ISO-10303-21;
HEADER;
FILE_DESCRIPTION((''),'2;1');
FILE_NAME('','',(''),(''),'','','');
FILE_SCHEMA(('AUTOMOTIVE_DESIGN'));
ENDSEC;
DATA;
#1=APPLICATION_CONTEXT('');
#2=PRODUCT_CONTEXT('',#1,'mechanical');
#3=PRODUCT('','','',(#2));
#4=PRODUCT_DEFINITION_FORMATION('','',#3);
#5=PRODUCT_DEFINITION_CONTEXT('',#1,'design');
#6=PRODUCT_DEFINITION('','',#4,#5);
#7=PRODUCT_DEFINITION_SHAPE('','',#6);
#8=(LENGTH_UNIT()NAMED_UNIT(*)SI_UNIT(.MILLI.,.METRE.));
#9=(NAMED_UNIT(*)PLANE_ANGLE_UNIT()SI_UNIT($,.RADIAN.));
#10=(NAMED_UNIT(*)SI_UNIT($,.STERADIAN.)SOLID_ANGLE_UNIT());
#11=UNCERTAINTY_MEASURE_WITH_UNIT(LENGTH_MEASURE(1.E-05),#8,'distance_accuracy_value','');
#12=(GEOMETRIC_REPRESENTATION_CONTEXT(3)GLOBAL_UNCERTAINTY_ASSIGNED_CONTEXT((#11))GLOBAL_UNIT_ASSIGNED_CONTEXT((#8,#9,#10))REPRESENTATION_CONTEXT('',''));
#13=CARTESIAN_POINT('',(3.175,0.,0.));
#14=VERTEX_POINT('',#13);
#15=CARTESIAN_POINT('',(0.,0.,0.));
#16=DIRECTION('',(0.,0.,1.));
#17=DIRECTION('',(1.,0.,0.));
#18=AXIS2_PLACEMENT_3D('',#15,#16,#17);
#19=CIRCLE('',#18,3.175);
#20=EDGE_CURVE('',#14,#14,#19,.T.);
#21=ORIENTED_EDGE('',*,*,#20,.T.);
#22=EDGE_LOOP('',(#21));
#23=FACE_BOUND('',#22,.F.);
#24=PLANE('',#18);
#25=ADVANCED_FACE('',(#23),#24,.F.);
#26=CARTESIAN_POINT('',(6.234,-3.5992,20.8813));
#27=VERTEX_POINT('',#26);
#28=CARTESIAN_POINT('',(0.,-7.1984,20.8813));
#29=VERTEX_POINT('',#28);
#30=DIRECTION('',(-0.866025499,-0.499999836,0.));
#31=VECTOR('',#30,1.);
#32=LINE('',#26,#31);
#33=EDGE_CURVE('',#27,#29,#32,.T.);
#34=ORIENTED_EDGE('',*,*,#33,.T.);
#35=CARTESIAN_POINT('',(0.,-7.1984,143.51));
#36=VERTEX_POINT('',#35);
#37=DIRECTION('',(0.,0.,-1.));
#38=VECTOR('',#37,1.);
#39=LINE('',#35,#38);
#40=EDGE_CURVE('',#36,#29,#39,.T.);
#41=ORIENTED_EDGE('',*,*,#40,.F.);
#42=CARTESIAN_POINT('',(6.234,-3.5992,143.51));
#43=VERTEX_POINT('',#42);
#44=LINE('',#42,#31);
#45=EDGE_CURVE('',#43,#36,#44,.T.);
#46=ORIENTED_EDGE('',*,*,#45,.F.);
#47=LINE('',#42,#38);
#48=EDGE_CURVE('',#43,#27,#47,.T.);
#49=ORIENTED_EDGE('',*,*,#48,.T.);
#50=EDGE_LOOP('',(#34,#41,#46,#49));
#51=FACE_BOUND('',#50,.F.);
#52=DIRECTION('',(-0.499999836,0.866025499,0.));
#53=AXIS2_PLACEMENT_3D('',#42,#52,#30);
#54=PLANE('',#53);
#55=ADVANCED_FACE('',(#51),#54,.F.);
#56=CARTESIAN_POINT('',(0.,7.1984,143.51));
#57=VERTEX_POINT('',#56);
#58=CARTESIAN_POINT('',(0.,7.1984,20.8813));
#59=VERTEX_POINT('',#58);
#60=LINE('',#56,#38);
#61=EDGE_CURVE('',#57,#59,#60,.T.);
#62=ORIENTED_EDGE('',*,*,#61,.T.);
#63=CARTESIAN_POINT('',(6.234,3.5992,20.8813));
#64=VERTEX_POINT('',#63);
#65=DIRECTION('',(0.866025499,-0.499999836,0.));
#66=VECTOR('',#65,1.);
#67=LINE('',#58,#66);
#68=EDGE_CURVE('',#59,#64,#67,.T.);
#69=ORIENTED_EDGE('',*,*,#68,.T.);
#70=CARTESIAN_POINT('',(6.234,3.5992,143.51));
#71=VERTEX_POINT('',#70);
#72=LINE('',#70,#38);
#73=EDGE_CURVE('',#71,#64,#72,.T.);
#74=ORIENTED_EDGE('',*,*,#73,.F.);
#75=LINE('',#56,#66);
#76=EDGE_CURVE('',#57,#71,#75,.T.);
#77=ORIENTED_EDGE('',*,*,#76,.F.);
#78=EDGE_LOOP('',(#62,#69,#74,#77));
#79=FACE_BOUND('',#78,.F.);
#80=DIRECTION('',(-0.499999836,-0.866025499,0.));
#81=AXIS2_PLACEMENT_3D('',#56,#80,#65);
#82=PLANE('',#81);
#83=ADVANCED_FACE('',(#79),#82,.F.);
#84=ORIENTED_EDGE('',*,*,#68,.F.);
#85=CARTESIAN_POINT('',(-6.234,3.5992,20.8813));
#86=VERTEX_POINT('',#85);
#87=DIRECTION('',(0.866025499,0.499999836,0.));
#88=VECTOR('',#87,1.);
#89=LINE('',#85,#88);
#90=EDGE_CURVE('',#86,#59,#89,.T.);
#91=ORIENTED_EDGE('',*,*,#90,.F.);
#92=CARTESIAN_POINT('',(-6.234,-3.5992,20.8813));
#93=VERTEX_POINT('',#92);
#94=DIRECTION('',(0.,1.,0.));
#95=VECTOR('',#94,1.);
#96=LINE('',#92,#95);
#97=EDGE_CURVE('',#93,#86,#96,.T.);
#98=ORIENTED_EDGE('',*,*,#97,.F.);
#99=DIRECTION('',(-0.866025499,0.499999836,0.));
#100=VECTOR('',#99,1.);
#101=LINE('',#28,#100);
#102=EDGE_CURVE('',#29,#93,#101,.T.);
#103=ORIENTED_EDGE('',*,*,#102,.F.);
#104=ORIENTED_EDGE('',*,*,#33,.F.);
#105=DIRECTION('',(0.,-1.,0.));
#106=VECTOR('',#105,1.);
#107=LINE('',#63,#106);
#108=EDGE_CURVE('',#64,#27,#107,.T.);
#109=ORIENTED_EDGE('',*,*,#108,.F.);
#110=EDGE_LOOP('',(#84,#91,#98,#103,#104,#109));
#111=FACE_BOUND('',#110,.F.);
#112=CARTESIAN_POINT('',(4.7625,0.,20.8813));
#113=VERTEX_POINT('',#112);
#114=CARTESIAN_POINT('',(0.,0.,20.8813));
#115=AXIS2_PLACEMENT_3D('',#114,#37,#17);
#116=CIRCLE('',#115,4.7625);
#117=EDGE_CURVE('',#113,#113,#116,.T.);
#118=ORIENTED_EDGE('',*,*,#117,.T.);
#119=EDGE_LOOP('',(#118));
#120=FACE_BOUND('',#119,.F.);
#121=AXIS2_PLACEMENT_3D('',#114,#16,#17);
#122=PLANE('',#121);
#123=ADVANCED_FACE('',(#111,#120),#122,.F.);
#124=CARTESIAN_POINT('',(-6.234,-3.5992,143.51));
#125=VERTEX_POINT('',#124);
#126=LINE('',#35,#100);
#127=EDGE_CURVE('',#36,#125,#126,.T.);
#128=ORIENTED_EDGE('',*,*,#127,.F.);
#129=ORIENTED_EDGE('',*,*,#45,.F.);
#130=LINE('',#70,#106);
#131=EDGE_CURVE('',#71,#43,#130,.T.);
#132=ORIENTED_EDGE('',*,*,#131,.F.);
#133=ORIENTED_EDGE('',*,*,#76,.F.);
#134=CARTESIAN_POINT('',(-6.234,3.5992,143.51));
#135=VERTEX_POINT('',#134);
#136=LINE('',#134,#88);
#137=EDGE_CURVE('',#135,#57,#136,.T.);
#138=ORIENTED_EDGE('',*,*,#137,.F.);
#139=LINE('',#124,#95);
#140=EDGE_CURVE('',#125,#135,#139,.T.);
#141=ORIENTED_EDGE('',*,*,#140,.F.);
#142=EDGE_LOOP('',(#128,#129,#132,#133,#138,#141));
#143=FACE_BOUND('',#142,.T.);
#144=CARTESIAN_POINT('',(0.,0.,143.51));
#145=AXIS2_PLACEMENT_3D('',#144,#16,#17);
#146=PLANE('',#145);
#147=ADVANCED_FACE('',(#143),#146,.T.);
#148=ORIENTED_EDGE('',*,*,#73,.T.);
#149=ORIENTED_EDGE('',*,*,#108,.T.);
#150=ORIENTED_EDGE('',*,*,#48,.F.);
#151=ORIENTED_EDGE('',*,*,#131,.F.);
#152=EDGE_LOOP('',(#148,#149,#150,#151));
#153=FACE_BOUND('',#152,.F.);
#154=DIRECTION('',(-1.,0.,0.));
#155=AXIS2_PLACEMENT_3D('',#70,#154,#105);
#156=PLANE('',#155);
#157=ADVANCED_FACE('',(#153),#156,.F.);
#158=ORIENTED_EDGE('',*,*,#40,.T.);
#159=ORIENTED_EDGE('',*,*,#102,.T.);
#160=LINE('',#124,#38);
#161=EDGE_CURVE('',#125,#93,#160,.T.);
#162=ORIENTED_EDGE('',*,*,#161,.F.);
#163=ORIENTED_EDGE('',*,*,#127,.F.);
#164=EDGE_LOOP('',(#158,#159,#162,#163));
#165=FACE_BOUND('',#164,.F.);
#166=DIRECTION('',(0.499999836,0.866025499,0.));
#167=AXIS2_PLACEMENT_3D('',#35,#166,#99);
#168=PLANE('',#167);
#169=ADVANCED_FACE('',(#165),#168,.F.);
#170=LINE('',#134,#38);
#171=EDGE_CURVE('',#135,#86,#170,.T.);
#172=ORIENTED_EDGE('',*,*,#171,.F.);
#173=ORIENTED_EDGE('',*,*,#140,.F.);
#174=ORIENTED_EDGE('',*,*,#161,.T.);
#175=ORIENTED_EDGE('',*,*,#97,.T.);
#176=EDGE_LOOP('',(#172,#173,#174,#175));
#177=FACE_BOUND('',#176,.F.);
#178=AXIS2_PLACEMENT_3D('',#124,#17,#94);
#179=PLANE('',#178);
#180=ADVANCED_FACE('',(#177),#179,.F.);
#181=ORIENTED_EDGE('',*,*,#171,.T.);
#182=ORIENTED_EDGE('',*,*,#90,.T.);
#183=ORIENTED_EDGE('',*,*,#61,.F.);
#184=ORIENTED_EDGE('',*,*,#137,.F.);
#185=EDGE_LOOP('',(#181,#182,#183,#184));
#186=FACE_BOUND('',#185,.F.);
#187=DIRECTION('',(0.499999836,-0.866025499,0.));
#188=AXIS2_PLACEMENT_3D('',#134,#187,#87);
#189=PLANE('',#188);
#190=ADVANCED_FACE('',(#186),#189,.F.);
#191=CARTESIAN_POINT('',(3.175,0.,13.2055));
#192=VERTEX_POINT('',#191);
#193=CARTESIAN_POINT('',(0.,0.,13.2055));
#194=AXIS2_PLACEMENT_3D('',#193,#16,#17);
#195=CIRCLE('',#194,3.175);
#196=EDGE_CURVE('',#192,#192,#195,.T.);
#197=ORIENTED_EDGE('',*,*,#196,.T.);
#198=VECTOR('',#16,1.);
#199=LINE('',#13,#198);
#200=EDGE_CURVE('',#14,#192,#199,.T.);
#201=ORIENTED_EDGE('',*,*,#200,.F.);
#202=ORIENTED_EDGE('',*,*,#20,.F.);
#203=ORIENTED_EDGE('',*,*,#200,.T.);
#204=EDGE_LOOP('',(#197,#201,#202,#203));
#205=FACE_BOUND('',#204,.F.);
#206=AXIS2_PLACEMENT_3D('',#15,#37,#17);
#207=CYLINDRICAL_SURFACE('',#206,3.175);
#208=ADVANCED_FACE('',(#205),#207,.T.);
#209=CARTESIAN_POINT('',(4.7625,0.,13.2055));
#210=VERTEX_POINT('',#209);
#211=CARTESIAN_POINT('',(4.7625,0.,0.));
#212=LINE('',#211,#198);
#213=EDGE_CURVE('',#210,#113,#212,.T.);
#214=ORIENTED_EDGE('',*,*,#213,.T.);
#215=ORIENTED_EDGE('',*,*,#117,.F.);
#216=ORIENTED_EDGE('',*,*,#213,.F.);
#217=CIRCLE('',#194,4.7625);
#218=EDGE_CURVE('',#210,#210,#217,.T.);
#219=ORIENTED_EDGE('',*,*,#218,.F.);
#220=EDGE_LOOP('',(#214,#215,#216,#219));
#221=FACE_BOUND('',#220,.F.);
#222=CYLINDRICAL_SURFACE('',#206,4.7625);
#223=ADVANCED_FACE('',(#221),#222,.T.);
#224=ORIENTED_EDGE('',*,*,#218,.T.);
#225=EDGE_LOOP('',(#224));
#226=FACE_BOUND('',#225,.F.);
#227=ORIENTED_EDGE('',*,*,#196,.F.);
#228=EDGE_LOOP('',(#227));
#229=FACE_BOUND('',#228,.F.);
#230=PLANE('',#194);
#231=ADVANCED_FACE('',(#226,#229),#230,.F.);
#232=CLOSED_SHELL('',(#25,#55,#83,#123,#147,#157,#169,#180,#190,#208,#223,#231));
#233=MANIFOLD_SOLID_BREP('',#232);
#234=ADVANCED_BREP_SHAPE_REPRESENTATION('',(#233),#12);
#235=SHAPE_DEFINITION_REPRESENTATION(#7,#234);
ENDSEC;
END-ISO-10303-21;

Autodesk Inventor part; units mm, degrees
ref_plane "YZ Plane" through (0, 0, 0) normal (1, 0, 0) x (0, 1, 0)
ref_plane "XZ Plane" through (0, 0, 0) normal (0, 1, 0) x (-1, 0, 0)
ref_plane "XY Plane" through (0, 0, 0) normal (0, 0, 1) x (1, 0, 0)
sketch "Sketch3" plane through (0, 0, 0) normal (0, 0, 1) x (1, 0, 0)
  circle A0 centre (0, 0) radius 4.7625
  circle A1 centre (0, 0) radius 3.175
  dimension "d4" = 9.525
  dimension "d5" = 6.35
extrude "Extrusion2" add sketch "Sketch3" along normal blind 143.51 contours A0 | A1
extrude "Extrusion3" cut sketch "Sketch3" along normal blind 13.2055
sketch "Sketch4" plane through (0, 0, 143.51) normal (0, 0, 1) x (1, 0, 0)
  circle A0 centre (0, 0) radius 3.175 projected
  line L0 (0, -7.1984) -> (-6.234, -3.5992)
  line L1 (-6.234, -3.5992) -> (-6.234, 3.5992)
  line L2 (-6.234, 3.5992) -> (0, 7.1984)
  line L3 (0, 7.1984) -> (6.234, 3.5992)
  line L4 (6.234, 3.5992) -> (6.234, -3.5992)
  line L5 (6.234, -3.5992) -> (0, -7.1984)
  dimension "d10" = 14.3967
extrude "Extrusion4" add sketch "Sketch4" against normal blind 122.6287
properties part number "hex rod"
